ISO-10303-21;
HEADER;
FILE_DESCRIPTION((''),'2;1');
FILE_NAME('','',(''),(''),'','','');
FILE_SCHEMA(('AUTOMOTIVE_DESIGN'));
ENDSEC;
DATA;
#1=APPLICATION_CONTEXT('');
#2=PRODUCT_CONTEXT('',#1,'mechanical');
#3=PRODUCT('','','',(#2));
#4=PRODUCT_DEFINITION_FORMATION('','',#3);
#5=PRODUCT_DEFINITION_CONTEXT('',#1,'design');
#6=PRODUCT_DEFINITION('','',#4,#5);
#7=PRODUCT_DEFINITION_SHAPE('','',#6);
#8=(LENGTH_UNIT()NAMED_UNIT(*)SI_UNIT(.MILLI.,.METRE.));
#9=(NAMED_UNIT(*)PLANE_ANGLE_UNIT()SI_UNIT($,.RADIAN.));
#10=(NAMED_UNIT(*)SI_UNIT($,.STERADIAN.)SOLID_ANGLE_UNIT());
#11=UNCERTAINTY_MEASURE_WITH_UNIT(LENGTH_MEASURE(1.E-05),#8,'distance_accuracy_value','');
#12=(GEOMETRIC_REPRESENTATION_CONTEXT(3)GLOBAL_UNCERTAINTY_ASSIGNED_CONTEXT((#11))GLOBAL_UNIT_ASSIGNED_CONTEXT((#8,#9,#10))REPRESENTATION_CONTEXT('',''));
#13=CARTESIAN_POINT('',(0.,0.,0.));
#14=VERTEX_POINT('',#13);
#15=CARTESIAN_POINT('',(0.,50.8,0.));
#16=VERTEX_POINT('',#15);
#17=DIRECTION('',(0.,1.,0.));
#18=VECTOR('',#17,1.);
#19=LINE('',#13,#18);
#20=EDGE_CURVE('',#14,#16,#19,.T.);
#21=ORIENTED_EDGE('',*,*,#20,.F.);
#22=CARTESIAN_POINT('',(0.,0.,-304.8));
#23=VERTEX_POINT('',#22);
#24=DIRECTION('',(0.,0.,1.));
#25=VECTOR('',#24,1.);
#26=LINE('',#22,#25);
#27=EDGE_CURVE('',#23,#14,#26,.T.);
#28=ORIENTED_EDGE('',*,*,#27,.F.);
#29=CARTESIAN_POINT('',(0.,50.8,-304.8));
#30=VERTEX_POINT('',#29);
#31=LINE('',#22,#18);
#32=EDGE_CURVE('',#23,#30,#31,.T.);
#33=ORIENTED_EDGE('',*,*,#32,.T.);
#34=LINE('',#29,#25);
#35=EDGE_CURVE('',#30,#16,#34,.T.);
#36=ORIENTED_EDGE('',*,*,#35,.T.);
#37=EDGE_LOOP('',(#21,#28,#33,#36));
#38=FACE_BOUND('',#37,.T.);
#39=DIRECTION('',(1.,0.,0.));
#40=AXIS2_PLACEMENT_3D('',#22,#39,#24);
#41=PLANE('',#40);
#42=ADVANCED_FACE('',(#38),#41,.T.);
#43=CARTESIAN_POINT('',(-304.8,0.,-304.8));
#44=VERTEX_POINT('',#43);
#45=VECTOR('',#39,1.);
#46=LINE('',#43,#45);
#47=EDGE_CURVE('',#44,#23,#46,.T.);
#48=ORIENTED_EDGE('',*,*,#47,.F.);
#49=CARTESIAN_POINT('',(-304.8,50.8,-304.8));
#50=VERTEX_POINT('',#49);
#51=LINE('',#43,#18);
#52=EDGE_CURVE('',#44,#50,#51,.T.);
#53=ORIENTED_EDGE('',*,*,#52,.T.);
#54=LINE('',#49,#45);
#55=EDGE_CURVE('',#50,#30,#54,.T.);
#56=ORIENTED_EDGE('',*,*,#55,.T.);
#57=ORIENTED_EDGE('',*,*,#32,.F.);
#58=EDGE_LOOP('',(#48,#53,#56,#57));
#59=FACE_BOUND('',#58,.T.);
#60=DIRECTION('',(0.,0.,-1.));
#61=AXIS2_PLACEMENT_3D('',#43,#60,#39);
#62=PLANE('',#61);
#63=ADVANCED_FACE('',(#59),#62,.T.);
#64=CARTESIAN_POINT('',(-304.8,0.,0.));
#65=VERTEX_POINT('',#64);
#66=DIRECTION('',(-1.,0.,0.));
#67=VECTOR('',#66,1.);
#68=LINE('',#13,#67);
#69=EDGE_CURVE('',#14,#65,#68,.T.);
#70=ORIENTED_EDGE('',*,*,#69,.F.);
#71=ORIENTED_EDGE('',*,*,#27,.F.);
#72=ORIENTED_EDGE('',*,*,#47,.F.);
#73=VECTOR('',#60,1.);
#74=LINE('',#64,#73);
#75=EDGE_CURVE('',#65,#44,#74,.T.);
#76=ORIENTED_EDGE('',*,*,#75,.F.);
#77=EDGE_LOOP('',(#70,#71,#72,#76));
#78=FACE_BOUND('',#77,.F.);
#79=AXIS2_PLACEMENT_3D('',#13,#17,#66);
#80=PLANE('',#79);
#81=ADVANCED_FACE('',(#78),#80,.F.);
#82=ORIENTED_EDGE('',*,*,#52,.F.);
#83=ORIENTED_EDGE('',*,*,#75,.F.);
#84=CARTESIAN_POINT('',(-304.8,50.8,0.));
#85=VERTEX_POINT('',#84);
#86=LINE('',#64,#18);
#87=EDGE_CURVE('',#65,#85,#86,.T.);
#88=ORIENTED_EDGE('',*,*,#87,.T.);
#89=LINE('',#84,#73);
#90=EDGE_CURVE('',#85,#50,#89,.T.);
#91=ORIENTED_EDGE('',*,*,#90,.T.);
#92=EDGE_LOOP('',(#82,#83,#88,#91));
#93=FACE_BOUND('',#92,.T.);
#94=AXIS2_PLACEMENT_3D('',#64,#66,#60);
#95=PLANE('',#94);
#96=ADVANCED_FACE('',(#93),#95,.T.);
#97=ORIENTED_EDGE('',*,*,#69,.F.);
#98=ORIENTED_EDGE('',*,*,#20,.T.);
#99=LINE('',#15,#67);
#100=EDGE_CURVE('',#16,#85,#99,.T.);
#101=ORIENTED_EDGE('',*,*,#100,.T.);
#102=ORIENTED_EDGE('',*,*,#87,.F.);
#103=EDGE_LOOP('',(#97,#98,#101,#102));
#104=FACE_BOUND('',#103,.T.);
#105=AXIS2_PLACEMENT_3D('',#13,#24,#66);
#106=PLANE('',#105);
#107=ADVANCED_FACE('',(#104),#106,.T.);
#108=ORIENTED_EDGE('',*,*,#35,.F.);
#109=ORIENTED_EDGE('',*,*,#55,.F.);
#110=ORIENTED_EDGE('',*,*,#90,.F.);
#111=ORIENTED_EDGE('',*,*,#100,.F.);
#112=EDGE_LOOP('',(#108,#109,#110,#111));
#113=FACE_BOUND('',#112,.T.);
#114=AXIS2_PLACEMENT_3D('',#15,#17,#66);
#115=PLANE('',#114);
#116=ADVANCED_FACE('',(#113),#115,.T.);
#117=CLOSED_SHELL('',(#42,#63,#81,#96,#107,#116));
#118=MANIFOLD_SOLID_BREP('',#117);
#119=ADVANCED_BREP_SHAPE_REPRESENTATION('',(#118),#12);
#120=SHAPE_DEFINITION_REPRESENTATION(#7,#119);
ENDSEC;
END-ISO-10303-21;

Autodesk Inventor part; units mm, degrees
ref_plane "YZ Plane" through (0, 0, 0) normal (1, 0, 0) x (0, 1, 0)
ref_plane "XZ Plane" through (0, 0, 0) normal (0, 1, 0) x (-1, 0, 0)
ref_plane "XY Plane" through (0, 0, 0) normal (0, 0, 1) x (1, 0, 0)
sketch "Sketch1" plane through (0, 0, 0) normal (0, 1, 0) x (-1, 0, 0)
  line L0 (0, 0) -> (304.8, 0)
  line L1 (304.8, 0) -> (304.8, -304.8)
  line L2 (304.8, -304.8) -> (0, -304.8)
  line L3 (0, -304.8) -> (0, 0)
  dimension "d0" = 304.8
  dimension "d1" = 304.8
extrude "Extrusion1" add sketch "Sketch1" along normal blind 50.8
properties part number "Tile2" material "Rubber"
